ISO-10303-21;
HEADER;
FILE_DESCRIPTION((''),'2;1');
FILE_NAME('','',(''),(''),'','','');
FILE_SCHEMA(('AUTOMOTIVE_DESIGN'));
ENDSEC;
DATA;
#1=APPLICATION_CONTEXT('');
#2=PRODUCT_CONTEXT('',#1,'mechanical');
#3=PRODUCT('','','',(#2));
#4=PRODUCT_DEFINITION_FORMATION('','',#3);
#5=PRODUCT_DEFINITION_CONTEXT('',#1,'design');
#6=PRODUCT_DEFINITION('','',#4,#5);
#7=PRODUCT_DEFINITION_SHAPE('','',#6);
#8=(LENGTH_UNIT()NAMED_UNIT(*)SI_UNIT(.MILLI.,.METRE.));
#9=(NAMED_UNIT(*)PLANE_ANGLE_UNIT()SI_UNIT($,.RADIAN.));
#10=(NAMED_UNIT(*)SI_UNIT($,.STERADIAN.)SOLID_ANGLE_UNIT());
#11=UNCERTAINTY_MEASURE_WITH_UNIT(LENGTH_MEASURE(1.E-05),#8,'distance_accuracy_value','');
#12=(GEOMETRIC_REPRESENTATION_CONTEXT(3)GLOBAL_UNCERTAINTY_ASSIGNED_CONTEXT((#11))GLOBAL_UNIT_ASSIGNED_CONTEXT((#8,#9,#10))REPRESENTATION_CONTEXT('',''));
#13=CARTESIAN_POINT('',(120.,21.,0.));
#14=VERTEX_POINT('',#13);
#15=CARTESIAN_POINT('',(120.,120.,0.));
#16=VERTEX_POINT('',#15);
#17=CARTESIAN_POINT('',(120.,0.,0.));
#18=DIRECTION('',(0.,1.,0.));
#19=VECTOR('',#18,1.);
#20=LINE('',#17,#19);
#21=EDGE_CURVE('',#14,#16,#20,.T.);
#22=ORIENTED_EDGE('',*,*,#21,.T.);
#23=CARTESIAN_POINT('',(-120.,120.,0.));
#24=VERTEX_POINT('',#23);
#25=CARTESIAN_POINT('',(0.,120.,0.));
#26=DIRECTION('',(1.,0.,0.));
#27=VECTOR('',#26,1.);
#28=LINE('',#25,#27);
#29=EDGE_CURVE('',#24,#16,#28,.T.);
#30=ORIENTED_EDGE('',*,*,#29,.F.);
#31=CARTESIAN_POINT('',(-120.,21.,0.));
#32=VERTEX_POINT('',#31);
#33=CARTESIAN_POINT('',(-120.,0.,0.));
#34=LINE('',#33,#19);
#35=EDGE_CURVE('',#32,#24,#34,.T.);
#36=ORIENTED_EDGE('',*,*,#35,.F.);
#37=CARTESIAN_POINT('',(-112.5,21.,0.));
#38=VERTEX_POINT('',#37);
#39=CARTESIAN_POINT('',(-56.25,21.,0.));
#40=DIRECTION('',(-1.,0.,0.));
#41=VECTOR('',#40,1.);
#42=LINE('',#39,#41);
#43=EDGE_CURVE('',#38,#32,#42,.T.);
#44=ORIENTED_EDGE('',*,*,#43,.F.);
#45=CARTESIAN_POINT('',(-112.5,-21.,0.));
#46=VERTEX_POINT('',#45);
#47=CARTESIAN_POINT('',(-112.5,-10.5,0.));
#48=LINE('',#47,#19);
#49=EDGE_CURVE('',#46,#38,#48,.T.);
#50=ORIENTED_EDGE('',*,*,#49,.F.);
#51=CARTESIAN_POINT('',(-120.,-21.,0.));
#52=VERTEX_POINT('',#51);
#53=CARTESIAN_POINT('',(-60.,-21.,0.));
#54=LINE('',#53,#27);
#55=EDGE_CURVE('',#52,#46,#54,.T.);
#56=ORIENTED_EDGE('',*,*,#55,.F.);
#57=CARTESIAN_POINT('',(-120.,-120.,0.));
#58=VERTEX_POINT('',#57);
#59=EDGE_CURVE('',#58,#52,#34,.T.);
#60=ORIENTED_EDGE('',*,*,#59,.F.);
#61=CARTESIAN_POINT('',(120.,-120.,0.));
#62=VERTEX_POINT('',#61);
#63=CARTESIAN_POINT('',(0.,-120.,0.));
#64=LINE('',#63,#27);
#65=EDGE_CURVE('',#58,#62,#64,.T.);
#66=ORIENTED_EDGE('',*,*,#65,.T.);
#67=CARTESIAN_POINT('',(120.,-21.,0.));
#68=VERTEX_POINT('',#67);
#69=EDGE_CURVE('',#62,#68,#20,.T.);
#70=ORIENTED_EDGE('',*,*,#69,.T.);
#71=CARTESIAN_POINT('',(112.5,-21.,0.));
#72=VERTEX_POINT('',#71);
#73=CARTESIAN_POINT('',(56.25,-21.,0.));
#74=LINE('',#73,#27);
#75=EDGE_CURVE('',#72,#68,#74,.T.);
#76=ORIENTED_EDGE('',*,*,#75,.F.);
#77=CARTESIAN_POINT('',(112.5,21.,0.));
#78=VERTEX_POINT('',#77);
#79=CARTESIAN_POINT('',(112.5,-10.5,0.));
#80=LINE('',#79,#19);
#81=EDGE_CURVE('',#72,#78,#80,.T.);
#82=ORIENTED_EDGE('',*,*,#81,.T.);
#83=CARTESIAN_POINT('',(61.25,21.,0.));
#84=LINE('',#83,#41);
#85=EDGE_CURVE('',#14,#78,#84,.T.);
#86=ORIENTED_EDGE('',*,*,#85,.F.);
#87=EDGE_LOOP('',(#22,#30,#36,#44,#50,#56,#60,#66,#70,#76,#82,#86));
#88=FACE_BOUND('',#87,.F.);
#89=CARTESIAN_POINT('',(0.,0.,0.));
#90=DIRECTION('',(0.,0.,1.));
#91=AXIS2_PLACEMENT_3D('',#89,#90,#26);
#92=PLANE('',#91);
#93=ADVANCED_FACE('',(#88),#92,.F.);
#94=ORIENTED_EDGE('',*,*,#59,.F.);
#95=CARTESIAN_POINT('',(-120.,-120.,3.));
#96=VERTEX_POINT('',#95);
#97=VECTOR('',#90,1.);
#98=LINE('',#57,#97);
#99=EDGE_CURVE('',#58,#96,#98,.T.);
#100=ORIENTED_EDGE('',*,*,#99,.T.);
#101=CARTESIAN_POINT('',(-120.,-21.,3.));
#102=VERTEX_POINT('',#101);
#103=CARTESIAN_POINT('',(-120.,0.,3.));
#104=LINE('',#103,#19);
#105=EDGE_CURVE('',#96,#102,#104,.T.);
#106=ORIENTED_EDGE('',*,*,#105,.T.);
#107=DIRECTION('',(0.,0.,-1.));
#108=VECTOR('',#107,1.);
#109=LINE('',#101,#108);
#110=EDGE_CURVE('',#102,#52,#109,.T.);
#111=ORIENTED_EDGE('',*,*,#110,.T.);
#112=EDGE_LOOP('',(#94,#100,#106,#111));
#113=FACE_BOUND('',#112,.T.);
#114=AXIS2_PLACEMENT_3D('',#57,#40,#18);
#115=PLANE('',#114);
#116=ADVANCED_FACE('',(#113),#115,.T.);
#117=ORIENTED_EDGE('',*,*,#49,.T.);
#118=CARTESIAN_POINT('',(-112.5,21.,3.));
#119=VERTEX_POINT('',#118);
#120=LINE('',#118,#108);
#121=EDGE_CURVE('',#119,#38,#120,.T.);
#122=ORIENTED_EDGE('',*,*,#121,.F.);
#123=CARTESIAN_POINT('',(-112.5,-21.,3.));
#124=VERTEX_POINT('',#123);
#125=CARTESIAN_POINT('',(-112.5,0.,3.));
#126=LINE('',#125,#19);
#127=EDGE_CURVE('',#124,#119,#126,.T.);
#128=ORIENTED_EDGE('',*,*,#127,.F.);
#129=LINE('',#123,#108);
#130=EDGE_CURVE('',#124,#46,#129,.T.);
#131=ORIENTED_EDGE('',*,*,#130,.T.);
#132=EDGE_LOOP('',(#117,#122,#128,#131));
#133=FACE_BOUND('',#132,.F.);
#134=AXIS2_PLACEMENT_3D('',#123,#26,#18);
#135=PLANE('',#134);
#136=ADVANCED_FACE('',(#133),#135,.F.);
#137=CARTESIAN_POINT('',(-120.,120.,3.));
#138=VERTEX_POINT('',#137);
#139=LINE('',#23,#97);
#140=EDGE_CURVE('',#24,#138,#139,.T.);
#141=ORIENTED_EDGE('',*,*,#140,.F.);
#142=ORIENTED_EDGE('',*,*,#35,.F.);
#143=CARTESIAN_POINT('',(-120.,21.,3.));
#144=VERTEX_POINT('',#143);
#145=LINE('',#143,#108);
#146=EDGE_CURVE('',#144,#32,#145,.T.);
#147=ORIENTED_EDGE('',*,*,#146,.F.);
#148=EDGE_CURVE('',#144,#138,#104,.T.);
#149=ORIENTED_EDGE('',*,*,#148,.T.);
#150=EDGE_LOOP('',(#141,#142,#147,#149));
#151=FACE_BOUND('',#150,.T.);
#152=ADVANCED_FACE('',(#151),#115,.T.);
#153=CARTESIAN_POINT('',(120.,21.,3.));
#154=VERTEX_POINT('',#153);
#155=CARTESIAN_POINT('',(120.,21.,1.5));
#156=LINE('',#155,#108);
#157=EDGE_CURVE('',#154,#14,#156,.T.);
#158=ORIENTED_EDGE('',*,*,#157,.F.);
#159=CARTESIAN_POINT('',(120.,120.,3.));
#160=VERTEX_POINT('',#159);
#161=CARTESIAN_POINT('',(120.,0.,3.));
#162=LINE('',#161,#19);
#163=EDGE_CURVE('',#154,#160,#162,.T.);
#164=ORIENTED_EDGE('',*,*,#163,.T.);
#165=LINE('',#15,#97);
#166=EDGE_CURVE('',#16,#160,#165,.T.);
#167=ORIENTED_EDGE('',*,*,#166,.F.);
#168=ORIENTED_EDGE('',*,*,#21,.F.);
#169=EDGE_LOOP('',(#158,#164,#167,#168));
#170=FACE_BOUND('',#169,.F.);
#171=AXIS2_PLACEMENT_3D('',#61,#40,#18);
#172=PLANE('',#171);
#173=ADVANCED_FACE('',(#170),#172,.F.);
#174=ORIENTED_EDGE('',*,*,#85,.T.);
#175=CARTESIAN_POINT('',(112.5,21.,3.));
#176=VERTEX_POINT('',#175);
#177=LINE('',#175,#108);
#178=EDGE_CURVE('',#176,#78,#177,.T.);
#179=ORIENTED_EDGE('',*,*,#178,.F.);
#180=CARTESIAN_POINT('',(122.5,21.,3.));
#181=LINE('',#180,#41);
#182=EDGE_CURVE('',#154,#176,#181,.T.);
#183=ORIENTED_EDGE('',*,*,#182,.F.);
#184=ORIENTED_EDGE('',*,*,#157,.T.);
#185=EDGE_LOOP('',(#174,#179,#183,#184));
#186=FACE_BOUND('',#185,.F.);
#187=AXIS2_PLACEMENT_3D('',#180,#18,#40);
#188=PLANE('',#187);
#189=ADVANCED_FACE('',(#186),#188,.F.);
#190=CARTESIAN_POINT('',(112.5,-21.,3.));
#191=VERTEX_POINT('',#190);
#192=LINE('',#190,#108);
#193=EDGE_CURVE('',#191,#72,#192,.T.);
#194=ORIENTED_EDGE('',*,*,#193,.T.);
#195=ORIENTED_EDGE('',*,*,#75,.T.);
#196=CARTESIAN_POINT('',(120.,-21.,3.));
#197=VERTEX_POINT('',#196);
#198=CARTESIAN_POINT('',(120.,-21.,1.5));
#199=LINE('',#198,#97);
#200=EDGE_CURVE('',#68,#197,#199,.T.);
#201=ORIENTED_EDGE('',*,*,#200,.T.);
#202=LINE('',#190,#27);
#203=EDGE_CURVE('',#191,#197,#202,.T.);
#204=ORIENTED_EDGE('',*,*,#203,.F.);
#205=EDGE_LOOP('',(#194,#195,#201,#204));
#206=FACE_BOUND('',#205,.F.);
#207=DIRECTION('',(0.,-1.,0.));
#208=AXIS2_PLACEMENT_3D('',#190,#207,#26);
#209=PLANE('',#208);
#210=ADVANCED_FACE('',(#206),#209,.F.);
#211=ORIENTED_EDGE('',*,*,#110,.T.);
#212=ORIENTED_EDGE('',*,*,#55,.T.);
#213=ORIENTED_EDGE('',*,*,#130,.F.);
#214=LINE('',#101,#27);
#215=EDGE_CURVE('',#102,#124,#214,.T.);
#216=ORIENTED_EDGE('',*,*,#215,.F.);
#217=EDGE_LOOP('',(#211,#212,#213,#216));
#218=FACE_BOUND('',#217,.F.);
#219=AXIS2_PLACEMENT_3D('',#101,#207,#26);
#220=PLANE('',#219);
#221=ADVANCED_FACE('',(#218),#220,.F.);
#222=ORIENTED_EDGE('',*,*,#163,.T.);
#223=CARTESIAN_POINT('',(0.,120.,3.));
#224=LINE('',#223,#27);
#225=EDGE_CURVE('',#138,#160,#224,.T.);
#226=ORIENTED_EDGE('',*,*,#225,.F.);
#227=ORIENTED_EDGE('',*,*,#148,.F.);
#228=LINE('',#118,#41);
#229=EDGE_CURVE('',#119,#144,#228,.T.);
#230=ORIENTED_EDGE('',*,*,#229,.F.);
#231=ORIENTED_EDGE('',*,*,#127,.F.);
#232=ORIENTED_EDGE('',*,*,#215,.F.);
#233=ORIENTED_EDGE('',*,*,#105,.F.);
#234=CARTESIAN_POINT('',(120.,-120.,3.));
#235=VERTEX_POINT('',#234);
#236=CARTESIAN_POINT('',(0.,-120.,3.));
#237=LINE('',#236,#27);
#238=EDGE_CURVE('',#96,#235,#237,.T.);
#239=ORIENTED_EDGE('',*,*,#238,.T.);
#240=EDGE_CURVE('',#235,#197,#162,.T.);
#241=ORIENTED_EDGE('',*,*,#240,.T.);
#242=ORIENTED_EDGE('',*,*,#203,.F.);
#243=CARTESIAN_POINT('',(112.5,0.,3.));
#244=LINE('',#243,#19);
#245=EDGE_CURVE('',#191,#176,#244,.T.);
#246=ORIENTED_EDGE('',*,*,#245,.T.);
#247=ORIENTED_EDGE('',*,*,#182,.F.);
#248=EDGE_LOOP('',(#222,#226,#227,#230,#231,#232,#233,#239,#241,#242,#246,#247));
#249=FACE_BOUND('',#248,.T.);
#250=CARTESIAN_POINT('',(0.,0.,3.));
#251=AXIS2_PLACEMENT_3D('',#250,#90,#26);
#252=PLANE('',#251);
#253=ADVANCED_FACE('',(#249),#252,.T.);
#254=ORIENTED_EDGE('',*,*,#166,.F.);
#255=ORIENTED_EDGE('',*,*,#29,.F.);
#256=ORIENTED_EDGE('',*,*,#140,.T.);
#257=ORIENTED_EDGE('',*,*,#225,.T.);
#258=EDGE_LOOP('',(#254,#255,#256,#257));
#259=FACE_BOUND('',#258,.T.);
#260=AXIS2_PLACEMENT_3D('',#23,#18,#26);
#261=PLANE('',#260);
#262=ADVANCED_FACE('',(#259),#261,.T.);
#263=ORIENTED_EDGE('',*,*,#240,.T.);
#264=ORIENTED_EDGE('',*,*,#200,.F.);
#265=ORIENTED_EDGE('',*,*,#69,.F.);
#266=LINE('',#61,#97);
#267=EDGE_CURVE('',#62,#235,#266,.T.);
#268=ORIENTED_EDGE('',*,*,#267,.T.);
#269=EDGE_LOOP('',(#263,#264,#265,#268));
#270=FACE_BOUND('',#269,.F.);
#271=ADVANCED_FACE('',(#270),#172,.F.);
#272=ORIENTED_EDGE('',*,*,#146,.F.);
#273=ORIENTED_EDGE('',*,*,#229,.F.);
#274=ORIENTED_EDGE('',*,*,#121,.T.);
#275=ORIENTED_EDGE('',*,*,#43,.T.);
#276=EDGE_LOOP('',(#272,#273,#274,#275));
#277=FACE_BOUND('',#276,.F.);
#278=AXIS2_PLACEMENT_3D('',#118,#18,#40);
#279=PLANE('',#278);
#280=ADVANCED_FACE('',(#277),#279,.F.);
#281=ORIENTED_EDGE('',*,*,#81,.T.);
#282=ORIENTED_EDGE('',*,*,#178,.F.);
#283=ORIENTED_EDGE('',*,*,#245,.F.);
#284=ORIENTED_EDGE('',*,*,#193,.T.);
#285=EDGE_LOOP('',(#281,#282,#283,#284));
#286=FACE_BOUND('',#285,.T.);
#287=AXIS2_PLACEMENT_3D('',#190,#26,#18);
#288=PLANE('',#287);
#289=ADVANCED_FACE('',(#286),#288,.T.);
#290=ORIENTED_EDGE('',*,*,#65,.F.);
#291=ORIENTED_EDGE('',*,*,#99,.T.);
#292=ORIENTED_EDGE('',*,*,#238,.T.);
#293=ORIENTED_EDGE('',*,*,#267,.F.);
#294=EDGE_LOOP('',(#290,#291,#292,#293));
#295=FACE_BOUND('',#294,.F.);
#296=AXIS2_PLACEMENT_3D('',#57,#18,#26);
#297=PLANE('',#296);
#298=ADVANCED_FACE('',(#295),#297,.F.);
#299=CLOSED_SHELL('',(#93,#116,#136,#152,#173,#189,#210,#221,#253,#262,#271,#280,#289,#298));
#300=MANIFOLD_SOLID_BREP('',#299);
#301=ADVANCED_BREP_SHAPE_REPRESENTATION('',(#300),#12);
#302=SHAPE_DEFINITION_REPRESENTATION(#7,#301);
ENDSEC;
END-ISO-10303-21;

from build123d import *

# Parameters (mm, degrees)
F0_W     = 240
F0_H     = 240
F1_DEPTH = 3
F2_W     = 2.5
F2_H     = 42
F2_W_2   = 5
F3_DEPTH = 25


with BuildPart() as f1:
    # F0 (on Top) → F1 (new body)
    with BuildSketch(Plane.XY):
        Rectangle(F0_W, F0_H)
    extrude(amount=F1_DEPTH)

    # F2 (on face) → F3 (cut)
    with BuildSketch(Plane.XY.offset(3)):
        with Locations((-118.75, 0)):
            Rectangle(F2_W, F2_H)
        with Locations((118.75, 0)):
            Rectangle(F2_W, F2_H)
        with Locations((-115, 0)):
            Rectangle(F2_W_2, F2_H)
        with Locations((115, 0)):
            Rectangle(F2_W_2, F2_H)
        with Locations((121.25, 0)):
            Rectangle(F2_W, F2_H)
    extrude(amount=-F3_DEPTH, mode=Mode.SUBTRACT)


solid = f1.part
